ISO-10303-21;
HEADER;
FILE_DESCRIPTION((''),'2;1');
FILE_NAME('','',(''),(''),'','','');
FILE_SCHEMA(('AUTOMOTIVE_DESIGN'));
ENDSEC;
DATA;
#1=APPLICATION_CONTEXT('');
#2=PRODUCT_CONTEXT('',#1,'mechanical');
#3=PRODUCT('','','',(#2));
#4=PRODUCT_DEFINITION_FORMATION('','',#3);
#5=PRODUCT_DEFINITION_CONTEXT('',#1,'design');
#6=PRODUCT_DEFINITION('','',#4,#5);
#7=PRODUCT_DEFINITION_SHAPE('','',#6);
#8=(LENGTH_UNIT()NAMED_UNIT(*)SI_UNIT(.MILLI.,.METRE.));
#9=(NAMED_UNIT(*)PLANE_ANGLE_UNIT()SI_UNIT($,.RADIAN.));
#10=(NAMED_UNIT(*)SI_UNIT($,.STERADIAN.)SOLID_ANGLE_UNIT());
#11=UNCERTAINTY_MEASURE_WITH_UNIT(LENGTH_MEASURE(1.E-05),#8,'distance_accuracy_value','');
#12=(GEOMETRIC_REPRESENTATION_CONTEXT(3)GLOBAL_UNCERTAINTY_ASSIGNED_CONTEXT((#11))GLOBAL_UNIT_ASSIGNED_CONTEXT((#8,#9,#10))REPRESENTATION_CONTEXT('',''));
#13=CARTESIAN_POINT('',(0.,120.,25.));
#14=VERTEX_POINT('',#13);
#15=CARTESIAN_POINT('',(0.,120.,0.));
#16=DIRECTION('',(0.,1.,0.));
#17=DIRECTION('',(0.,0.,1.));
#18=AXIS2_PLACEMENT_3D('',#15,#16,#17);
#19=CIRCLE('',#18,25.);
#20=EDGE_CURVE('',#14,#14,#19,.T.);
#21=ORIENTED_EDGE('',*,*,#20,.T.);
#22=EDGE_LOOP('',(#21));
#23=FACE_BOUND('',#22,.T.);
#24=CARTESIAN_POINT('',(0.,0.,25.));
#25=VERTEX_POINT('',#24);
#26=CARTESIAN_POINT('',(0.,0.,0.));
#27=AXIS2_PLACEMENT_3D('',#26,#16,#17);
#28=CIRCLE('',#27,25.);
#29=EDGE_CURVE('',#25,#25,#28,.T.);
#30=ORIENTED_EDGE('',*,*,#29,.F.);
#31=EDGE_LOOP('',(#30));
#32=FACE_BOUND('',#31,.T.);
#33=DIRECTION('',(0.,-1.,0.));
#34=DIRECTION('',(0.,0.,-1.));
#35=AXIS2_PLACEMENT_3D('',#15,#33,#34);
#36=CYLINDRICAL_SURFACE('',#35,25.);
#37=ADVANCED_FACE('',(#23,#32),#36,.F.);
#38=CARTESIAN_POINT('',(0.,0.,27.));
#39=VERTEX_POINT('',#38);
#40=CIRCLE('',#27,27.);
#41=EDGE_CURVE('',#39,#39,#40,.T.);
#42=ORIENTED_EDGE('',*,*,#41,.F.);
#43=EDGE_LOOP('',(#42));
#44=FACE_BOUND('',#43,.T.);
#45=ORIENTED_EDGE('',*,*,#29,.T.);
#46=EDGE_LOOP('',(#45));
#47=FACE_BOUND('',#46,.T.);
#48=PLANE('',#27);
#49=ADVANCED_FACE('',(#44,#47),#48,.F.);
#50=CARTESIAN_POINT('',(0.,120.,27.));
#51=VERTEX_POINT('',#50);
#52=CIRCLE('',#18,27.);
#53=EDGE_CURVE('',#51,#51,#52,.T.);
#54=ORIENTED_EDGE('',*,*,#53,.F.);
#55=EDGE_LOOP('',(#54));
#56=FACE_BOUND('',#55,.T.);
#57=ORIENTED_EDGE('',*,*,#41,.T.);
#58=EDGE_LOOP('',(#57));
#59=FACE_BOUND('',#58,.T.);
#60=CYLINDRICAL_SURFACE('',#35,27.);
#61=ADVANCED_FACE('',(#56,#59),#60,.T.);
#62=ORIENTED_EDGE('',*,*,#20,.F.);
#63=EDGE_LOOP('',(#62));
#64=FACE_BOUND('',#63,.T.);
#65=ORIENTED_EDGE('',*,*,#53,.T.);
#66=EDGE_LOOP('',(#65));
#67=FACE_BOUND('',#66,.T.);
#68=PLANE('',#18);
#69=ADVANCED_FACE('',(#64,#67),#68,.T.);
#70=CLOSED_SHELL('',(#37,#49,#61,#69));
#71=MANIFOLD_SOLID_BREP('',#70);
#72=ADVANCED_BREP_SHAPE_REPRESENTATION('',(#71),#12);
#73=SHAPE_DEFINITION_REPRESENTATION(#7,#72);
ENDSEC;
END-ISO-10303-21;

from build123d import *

# Parameters (mm, degrees)
ESBO_O1_R                = 27
ESBO_O1_R_2              = 25
RESSALTO_EXTRUS_O1_DEPTH = 120


with BuildPart() as part:
    # Esboço1 → Ressalto-extrusão1 (new body)
    with BuildSketch(Plane(origin=(0, 0, 0), x_dir=(1, 0, 0), z_dir=(0, 1, 0))):
        with Locations(Location((0, 0, 0), (0, 0, 270))):
            Circle(ESBO_O1_R)
        with Locations(Location((0, 0, 0), (0, 0, 270))):
            Circle(ESBO_O1_R_2, mode=Mode.SUBTRACT)
    extrude(amount=RESSALTO_EXTRUS_O1_DEPTH)


solid = part.part
